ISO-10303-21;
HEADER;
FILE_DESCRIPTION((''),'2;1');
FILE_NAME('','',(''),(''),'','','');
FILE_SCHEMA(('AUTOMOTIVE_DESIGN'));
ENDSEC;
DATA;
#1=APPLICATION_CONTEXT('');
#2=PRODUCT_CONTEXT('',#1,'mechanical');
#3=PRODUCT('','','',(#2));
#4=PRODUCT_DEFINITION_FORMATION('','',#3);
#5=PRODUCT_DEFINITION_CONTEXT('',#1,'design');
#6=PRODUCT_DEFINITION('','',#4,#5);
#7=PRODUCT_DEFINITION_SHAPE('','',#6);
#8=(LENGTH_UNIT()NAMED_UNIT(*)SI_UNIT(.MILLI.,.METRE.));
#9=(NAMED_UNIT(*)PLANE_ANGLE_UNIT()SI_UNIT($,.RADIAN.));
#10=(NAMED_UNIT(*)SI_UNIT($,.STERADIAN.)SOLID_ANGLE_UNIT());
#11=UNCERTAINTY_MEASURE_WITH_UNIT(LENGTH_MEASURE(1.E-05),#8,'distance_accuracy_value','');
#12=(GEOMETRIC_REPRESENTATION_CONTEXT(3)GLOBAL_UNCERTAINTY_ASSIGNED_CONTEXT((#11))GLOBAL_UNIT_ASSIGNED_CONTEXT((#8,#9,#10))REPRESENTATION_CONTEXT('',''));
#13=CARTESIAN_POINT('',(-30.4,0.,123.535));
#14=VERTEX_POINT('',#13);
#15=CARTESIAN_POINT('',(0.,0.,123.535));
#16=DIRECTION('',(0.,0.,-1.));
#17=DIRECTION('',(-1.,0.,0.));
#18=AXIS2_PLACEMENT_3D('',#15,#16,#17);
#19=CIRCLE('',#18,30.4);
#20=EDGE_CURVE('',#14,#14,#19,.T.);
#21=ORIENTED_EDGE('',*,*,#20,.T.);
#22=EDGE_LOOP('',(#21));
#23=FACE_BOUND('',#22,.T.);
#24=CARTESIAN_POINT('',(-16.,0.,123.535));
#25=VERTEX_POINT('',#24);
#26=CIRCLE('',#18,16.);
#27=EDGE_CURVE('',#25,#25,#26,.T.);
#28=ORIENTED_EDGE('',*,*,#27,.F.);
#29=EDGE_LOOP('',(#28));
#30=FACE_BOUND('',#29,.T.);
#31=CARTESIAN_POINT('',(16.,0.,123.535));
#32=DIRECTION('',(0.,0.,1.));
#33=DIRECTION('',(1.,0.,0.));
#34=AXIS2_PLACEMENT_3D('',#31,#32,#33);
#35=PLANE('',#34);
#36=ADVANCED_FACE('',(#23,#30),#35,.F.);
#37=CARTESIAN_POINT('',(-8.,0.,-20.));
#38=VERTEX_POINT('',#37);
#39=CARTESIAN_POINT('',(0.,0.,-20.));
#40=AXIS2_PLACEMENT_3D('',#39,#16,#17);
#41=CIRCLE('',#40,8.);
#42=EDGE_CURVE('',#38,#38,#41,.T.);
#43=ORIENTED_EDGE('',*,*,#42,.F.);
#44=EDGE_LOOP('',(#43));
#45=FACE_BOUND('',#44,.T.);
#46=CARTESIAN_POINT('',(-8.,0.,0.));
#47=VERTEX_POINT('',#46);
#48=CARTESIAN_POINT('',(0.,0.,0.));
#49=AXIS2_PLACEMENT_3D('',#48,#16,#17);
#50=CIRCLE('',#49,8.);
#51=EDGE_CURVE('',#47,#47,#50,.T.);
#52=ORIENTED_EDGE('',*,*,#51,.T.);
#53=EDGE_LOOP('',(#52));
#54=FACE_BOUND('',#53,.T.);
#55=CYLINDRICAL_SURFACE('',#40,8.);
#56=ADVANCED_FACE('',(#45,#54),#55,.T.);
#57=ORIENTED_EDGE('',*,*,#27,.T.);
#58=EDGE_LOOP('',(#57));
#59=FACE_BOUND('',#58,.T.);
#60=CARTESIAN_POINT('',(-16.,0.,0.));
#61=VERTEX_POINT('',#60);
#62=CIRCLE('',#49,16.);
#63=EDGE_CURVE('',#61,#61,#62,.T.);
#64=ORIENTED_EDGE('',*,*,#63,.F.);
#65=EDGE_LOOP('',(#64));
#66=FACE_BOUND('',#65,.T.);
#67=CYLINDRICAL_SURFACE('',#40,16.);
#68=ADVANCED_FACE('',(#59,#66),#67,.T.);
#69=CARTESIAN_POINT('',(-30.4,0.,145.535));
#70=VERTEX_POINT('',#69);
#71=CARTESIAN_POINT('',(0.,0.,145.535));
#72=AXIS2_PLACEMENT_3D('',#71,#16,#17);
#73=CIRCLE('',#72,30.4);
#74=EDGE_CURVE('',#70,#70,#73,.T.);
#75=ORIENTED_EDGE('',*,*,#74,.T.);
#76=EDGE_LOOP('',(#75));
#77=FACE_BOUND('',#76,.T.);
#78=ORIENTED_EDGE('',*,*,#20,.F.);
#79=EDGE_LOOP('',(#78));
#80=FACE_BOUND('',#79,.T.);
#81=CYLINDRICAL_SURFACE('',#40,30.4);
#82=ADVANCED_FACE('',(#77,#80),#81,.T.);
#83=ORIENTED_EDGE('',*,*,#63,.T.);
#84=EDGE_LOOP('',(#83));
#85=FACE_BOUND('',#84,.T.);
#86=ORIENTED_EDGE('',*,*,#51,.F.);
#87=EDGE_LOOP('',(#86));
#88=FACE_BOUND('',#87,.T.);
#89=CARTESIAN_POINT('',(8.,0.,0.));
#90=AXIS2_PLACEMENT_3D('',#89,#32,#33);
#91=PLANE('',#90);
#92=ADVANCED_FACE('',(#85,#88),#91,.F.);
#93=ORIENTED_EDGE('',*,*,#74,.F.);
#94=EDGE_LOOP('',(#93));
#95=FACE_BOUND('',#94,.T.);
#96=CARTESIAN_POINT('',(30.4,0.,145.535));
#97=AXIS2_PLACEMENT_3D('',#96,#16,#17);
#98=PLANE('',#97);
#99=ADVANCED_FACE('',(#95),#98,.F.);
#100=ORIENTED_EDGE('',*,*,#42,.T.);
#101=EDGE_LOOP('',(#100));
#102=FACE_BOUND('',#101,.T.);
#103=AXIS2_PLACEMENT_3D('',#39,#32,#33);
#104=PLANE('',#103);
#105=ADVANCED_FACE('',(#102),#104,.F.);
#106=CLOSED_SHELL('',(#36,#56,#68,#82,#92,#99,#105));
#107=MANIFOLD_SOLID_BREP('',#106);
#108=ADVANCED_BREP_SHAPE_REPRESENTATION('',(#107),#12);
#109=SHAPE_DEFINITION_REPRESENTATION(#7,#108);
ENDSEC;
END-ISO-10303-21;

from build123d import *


with BuildPart() as part:
    # Skizze1 → Rotation1 (revolve)
    with BuildSketch(Plane(origin=(0, 0, 0), x_dir=(1, 0, 0), z_dir=(0, 1, 0)), mode=Mode.PRIVATE) as rotation1_sk:
        Polygon((0, 20), (8, 20), (8, 0), (16, 0), (16, -123.535), (30.4, -123.535), (30.4, -145.535), (0, -145.535), align=None)
    revolve(rotation1_sk.sketch.rotate(Axis((0, 0, -20), (0, 0, 1)), 180), axis=Axis((0, 0, -20), (0, 0, 1)))  # turned: the seam where the file's is


solid = part.part
